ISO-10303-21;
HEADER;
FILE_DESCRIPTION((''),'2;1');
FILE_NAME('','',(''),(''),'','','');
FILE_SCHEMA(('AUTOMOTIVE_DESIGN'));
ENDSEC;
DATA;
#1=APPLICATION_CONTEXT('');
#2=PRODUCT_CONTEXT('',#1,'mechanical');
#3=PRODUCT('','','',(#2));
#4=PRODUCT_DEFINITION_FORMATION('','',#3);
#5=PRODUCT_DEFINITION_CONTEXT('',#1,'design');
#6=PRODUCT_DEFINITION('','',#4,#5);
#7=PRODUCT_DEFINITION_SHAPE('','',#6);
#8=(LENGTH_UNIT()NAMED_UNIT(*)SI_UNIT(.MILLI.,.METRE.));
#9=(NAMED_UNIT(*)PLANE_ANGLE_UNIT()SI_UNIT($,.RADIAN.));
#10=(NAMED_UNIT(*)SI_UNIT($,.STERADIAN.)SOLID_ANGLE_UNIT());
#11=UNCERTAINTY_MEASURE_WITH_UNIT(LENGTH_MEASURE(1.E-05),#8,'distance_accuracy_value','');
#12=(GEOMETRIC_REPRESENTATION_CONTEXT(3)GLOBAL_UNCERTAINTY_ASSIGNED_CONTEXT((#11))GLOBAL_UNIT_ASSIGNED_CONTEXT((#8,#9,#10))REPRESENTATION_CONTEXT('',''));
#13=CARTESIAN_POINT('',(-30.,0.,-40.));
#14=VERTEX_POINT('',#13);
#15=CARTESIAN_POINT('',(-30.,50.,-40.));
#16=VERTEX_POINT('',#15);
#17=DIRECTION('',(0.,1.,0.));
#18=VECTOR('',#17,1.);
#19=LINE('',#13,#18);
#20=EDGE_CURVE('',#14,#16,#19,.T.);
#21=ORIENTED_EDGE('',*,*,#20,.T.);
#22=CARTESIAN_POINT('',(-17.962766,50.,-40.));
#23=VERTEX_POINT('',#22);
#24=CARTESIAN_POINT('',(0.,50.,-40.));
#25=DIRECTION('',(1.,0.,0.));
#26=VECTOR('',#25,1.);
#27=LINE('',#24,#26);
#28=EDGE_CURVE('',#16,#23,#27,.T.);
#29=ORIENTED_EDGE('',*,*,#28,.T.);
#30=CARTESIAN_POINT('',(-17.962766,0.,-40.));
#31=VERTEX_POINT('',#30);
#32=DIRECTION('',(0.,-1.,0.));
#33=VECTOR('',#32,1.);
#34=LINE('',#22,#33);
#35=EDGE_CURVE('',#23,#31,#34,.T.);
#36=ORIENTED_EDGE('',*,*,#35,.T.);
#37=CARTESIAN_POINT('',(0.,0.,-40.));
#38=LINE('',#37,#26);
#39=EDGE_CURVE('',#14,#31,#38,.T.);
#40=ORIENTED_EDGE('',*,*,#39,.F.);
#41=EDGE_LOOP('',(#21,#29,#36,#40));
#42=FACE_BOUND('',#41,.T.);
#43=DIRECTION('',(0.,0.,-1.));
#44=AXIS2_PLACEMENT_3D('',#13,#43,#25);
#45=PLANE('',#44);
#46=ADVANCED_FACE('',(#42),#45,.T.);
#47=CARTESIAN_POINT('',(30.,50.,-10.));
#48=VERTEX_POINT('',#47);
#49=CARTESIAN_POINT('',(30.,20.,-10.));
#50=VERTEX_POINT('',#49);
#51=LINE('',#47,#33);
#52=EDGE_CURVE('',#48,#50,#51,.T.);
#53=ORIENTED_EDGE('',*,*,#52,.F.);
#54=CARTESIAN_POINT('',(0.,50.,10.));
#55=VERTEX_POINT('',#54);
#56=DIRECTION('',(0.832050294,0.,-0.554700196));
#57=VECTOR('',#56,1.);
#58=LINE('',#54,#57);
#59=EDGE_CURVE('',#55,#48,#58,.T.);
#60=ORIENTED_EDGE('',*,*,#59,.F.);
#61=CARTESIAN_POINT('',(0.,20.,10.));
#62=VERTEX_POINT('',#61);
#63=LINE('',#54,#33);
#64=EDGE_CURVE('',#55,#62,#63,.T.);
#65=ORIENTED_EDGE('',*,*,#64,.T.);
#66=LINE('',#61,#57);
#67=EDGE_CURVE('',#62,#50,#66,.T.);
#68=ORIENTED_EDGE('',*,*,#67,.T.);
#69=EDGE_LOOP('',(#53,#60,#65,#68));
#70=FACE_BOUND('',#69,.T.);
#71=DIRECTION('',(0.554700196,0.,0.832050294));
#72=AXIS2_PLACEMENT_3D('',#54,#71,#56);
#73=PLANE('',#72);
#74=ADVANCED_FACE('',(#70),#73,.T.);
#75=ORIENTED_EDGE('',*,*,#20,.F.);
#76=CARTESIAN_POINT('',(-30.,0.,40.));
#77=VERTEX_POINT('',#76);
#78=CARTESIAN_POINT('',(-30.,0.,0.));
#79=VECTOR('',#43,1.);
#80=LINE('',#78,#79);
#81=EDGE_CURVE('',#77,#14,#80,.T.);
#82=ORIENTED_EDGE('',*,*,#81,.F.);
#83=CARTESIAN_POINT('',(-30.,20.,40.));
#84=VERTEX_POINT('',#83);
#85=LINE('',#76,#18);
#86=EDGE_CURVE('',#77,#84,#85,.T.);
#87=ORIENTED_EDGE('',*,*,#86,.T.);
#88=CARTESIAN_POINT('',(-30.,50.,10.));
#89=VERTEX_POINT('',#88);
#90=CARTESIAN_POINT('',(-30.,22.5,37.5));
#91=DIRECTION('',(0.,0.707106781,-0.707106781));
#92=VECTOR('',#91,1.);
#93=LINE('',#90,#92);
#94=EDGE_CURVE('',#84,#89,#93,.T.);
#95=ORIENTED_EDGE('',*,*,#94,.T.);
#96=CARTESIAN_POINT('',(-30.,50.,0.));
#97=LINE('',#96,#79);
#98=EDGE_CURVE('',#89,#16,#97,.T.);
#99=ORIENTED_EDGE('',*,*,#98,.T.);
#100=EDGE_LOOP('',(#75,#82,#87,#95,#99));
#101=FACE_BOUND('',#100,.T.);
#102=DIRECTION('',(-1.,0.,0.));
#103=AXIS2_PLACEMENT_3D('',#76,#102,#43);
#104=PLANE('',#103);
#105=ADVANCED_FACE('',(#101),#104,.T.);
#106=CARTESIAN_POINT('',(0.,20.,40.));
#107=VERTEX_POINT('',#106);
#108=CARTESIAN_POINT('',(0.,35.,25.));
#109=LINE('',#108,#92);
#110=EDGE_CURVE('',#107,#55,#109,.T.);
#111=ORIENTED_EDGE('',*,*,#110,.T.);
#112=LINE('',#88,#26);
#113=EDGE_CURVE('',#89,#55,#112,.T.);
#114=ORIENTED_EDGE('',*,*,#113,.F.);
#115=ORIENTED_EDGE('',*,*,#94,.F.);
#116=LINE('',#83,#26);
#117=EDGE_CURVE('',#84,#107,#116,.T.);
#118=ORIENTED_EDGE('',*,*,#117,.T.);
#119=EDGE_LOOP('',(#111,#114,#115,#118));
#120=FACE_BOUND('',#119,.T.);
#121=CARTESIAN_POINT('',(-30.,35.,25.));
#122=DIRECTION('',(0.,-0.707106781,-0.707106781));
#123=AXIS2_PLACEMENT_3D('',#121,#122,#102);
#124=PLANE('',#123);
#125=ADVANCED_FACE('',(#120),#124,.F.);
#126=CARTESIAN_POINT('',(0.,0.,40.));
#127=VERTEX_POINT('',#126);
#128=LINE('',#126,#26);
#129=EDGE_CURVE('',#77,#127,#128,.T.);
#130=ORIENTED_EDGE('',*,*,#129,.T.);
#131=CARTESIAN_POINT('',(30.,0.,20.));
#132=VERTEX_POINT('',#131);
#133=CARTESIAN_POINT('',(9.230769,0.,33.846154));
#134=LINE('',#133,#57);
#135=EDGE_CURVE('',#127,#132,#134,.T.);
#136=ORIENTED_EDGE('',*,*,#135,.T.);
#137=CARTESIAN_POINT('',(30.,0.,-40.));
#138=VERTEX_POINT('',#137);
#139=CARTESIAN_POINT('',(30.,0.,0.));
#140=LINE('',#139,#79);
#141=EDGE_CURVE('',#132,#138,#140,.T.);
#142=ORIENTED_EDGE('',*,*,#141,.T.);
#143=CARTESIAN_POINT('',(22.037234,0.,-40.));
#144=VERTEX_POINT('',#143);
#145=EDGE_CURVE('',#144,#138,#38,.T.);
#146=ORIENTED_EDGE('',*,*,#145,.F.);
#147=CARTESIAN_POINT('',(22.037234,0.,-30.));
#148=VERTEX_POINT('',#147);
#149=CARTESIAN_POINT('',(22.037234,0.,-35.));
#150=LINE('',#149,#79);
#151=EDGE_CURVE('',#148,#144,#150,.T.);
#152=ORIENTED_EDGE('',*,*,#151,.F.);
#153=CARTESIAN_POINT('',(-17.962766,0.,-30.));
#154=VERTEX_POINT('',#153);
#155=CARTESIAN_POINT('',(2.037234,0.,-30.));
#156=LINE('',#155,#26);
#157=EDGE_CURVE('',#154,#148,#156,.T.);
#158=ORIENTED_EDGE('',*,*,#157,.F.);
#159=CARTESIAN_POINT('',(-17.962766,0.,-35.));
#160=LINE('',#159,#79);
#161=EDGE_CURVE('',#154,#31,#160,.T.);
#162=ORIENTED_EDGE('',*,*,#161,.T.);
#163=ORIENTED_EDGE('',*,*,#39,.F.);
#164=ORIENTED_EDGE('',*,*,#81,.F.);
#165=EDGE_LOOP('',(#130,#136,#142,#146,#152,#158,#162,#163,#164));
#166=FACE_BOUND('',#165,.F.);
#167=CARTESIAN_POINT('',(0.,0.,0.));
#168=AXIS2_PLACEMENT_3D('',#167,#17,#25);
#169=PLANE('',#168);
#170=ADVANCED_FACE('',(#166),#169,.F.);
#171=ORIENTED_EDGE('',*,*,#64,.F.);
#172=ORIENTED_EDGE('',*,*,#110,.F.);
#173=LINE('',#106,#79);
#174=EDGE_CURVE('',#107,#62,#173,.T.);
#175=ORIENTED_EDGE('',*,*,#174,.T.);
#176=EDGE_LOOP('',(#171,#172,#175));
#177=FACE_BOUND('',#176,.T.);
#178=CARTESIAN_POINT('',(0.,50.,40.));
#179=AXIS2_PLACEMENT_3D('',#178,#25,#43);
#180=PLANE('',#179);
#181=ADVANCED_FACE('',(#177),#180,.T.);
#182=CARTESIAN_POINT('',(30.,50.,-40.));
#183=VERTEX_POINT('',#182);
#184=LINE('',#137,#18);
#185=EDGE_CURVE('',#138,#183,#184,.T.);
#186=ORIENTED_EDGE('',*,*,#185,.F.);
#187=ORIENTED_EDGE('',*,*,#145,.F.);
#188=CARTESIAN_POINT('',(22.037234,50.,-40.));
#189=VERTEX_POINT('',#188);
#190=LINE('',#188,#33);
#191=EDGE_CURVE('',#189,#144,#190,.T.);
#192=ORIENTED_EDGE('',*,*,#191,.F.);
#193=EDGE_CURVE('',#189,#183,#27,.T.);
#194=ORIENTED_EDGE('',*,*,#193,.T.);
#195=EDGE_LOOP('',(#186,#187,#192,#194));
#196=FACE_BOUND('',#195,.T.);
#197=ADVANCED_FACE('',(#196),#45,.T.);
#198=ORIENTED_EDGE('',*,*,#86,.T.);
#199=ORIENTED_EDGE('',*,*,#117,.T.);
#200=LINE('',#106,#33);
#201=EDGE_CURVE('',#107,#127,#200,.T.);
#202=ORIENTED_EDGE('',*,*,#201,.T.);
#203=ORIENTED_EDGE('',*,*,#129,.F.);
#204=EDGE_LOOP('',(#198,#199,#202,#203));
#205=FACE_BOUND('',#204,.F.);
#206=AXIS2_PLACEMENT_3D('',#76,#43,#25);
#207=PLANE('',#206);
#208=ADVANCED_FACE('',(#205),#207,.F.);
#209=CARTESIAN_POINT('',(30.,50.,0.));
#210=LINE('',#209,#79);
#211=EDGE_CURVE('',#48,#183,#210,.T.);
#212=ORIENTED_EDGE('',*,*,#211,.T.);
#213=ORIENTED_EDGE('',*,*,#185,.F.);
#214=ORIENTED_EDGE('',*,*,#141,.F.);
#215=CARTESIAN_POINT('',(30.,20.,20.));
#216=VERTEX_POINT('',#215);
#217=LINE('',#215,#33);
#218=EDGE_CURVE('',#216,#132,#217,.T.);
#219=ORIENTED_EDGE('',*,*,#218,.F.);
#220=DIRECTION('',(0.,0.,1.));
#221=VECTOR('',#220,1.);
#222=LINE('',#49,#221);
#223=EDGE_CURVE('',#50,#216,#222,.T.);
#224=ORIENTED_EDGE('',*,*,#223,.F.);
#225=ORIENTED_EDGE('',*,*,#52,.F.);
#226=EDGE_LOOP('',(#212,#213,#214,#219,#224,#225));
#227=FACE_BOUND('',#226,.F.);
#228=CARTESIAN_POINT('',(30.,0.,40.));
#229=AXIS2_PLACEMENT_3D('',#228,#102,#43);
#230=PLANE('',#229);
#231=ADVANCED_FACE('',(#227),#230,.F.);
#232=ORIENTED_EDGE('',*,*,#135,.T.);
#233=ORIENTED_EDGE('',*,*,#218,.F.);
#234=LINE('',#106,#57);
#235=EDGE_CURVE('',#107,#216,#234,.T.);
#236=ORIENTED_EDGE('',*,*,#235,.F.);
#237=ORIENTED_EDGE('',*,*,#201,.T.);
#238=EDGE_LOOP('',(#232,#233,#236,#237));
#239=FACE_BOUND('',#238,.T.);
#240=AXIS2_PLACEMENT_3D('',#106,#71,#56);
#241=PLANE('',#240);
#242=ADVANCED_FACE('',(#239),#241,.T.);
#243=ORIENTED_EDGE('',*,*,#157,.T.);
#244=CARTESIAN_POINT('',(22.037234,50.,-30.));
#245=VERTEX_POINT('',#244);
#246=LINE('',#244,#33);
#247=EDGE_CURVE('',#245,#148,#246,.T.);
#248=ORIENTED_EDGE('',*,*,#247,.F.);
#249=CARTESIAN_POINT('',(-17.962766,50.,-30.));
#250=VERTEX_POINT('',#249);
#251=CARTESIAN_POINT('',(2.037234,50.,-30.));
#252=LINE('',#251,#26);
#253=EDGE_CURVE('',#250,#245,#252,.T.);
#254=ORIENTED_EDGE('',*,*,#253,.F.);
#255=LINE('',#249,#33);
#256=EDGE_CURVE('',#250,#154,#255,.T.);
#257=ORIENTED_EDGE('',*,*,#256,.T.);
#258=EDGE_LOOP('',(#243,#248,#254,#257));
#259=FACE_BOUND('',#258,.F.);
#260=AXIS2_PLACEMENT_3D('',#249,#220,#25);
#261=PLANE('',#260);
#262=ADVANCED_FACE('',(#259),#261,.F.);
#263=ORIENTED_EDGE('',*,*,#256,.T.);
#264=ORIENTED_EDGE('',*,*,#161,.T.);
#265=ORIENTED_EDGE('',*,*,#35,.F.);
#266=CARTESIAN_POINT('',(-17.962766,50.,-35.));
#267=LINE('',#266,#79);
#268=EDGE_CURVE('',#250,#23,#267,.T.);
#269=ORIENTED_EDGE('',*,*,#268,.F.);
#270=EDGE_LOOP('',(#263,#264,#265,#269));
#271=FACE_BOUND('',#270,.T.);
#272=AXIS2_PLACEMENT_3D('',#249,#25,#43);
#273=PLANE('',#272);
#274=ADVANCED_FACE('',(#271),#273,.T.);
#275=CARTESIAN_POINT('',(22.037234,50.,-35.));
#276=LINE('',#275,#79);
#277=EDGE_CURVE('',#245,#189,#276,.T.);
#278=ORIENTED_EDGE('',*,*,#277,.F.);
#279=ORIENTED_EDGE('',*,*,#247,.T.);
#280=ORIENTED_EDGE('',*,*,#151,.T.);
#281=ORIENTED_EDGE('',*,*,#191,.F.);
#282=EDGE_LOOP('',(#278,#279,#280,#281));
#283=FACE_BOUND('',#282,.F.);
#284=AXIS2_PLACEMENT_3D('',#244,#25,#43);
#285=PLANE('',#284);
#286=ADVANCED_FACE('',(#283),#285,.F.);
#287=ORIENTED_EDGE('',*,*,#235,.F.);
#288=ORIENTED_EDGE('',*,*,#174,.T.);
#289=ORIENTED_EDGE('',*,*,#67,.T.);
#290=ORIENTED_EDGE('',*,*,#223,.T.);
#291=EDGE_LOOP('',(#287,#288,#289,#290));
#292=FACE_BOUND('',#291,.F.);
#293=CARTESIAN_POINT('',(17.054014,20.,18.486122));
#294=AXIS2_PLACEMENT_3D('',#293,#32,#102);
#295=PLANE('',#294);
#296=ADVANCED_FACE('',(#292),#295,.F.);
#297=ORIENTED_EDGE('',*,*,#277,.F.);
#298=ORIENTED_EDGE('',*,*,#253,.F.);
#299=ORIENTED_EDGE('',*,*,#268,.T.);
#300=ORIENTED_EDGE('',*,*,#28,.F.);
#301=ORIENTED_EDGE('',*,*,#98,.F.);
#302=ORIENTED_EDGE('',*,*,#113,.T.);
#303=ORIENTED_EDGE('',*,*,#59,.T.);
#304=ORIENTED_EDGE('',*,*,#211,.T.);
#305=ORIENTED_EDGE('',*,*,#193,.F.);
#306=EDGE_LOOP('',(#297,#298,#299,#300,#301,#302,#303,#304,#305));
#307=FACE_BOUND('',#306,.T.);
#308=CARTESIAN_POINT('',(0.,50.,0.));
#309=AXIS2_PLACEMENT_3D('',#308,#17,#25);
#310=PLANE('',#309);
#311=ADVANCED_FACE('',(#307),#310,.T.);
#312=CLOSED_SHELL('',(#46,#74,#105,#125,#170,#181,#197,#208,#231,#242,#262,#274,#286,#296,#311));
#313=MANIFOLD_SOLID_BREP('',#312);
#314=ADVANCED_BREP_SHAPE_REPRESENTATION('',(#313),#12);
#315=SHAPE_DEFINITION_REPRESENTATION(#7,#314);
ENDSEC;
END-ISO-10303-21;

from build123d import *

# Parameters (mm, degrees)
SKETCH1_W           = 60
SKETCH1_H           = 80
BOSS_EXTRUDE1_DEPTH = 50
SKETCH2_W           = 40
SKETCH2_H           = 10
CUT_EXTRUDE1_DEPTH  = 50
CUT_EXTRUDE2_DEPTH  = 30
CUT_EXTRUDE3_DEPTH  = 30
CHAMFER1_SIZE       = 30


with BuildPart() as part:
    # Sketch1 → Boss-Extrude1 (new body)
    with BuildSketch(Plane(origin=(0, 0, 0), x_dir=(1, 0, 0), z_dir=(0, 1, 0))):
        Rectangle(SKETCH1_W, SKETCH1_H)
    extrude(amount=BOSS_EXTRUDE1_DEPTH)

    # Sketch2 → Cut-Extrude1 (cut)
    with BuildSketch(Plane(origin=(0, 50, 0), x_dir=(1, 0, 0), z_dir=(0, 1, 0))):
        with Locations((2.037233821, 35)):
            Rectangle(SKETCH2_W, SKETCH2_H)
    extrude(amount=-CUT_EXTRUDE1_DEPTH, mode=Mode.SUBTRACT)

    # Sketch3 → Cut-Extrude2 (cut)
    with BuildSketch(Plane(origin=(0, 50, 0), x_dir=(1, 0, 0), z_dir=(0, 1, 0))):
        Polygon((0, -10), (30, 10), (30, -40), (0, -40), align=None)
    extrude(amount=-CUT_EXTRUDE2_DEPTH, mode=Mode.SUBTRACT)

    # Sketch4 → Cut-Extrude3 (cut)
    with BuildSketch(Plane(origin=(0, 20, 0), x_dir=(1, 0, 0), z_dir=(0, 1, 0))):
        Polygon((0, -40), (30, -20), (30, -40), align=None)
    extrude(amount=-CUT_EXTRUDE3_DEPTH, mode=Mode.SUBTRACT)

    # Chamfer1
    chamfer1_edges = [part.edges().sort_by_distance(p)[0] for p in [
        (-15, 50, 40),
    ]]
    chamfer(chamfer1_edges, length=CHAMFER1_SIZE)


solid = part.part
